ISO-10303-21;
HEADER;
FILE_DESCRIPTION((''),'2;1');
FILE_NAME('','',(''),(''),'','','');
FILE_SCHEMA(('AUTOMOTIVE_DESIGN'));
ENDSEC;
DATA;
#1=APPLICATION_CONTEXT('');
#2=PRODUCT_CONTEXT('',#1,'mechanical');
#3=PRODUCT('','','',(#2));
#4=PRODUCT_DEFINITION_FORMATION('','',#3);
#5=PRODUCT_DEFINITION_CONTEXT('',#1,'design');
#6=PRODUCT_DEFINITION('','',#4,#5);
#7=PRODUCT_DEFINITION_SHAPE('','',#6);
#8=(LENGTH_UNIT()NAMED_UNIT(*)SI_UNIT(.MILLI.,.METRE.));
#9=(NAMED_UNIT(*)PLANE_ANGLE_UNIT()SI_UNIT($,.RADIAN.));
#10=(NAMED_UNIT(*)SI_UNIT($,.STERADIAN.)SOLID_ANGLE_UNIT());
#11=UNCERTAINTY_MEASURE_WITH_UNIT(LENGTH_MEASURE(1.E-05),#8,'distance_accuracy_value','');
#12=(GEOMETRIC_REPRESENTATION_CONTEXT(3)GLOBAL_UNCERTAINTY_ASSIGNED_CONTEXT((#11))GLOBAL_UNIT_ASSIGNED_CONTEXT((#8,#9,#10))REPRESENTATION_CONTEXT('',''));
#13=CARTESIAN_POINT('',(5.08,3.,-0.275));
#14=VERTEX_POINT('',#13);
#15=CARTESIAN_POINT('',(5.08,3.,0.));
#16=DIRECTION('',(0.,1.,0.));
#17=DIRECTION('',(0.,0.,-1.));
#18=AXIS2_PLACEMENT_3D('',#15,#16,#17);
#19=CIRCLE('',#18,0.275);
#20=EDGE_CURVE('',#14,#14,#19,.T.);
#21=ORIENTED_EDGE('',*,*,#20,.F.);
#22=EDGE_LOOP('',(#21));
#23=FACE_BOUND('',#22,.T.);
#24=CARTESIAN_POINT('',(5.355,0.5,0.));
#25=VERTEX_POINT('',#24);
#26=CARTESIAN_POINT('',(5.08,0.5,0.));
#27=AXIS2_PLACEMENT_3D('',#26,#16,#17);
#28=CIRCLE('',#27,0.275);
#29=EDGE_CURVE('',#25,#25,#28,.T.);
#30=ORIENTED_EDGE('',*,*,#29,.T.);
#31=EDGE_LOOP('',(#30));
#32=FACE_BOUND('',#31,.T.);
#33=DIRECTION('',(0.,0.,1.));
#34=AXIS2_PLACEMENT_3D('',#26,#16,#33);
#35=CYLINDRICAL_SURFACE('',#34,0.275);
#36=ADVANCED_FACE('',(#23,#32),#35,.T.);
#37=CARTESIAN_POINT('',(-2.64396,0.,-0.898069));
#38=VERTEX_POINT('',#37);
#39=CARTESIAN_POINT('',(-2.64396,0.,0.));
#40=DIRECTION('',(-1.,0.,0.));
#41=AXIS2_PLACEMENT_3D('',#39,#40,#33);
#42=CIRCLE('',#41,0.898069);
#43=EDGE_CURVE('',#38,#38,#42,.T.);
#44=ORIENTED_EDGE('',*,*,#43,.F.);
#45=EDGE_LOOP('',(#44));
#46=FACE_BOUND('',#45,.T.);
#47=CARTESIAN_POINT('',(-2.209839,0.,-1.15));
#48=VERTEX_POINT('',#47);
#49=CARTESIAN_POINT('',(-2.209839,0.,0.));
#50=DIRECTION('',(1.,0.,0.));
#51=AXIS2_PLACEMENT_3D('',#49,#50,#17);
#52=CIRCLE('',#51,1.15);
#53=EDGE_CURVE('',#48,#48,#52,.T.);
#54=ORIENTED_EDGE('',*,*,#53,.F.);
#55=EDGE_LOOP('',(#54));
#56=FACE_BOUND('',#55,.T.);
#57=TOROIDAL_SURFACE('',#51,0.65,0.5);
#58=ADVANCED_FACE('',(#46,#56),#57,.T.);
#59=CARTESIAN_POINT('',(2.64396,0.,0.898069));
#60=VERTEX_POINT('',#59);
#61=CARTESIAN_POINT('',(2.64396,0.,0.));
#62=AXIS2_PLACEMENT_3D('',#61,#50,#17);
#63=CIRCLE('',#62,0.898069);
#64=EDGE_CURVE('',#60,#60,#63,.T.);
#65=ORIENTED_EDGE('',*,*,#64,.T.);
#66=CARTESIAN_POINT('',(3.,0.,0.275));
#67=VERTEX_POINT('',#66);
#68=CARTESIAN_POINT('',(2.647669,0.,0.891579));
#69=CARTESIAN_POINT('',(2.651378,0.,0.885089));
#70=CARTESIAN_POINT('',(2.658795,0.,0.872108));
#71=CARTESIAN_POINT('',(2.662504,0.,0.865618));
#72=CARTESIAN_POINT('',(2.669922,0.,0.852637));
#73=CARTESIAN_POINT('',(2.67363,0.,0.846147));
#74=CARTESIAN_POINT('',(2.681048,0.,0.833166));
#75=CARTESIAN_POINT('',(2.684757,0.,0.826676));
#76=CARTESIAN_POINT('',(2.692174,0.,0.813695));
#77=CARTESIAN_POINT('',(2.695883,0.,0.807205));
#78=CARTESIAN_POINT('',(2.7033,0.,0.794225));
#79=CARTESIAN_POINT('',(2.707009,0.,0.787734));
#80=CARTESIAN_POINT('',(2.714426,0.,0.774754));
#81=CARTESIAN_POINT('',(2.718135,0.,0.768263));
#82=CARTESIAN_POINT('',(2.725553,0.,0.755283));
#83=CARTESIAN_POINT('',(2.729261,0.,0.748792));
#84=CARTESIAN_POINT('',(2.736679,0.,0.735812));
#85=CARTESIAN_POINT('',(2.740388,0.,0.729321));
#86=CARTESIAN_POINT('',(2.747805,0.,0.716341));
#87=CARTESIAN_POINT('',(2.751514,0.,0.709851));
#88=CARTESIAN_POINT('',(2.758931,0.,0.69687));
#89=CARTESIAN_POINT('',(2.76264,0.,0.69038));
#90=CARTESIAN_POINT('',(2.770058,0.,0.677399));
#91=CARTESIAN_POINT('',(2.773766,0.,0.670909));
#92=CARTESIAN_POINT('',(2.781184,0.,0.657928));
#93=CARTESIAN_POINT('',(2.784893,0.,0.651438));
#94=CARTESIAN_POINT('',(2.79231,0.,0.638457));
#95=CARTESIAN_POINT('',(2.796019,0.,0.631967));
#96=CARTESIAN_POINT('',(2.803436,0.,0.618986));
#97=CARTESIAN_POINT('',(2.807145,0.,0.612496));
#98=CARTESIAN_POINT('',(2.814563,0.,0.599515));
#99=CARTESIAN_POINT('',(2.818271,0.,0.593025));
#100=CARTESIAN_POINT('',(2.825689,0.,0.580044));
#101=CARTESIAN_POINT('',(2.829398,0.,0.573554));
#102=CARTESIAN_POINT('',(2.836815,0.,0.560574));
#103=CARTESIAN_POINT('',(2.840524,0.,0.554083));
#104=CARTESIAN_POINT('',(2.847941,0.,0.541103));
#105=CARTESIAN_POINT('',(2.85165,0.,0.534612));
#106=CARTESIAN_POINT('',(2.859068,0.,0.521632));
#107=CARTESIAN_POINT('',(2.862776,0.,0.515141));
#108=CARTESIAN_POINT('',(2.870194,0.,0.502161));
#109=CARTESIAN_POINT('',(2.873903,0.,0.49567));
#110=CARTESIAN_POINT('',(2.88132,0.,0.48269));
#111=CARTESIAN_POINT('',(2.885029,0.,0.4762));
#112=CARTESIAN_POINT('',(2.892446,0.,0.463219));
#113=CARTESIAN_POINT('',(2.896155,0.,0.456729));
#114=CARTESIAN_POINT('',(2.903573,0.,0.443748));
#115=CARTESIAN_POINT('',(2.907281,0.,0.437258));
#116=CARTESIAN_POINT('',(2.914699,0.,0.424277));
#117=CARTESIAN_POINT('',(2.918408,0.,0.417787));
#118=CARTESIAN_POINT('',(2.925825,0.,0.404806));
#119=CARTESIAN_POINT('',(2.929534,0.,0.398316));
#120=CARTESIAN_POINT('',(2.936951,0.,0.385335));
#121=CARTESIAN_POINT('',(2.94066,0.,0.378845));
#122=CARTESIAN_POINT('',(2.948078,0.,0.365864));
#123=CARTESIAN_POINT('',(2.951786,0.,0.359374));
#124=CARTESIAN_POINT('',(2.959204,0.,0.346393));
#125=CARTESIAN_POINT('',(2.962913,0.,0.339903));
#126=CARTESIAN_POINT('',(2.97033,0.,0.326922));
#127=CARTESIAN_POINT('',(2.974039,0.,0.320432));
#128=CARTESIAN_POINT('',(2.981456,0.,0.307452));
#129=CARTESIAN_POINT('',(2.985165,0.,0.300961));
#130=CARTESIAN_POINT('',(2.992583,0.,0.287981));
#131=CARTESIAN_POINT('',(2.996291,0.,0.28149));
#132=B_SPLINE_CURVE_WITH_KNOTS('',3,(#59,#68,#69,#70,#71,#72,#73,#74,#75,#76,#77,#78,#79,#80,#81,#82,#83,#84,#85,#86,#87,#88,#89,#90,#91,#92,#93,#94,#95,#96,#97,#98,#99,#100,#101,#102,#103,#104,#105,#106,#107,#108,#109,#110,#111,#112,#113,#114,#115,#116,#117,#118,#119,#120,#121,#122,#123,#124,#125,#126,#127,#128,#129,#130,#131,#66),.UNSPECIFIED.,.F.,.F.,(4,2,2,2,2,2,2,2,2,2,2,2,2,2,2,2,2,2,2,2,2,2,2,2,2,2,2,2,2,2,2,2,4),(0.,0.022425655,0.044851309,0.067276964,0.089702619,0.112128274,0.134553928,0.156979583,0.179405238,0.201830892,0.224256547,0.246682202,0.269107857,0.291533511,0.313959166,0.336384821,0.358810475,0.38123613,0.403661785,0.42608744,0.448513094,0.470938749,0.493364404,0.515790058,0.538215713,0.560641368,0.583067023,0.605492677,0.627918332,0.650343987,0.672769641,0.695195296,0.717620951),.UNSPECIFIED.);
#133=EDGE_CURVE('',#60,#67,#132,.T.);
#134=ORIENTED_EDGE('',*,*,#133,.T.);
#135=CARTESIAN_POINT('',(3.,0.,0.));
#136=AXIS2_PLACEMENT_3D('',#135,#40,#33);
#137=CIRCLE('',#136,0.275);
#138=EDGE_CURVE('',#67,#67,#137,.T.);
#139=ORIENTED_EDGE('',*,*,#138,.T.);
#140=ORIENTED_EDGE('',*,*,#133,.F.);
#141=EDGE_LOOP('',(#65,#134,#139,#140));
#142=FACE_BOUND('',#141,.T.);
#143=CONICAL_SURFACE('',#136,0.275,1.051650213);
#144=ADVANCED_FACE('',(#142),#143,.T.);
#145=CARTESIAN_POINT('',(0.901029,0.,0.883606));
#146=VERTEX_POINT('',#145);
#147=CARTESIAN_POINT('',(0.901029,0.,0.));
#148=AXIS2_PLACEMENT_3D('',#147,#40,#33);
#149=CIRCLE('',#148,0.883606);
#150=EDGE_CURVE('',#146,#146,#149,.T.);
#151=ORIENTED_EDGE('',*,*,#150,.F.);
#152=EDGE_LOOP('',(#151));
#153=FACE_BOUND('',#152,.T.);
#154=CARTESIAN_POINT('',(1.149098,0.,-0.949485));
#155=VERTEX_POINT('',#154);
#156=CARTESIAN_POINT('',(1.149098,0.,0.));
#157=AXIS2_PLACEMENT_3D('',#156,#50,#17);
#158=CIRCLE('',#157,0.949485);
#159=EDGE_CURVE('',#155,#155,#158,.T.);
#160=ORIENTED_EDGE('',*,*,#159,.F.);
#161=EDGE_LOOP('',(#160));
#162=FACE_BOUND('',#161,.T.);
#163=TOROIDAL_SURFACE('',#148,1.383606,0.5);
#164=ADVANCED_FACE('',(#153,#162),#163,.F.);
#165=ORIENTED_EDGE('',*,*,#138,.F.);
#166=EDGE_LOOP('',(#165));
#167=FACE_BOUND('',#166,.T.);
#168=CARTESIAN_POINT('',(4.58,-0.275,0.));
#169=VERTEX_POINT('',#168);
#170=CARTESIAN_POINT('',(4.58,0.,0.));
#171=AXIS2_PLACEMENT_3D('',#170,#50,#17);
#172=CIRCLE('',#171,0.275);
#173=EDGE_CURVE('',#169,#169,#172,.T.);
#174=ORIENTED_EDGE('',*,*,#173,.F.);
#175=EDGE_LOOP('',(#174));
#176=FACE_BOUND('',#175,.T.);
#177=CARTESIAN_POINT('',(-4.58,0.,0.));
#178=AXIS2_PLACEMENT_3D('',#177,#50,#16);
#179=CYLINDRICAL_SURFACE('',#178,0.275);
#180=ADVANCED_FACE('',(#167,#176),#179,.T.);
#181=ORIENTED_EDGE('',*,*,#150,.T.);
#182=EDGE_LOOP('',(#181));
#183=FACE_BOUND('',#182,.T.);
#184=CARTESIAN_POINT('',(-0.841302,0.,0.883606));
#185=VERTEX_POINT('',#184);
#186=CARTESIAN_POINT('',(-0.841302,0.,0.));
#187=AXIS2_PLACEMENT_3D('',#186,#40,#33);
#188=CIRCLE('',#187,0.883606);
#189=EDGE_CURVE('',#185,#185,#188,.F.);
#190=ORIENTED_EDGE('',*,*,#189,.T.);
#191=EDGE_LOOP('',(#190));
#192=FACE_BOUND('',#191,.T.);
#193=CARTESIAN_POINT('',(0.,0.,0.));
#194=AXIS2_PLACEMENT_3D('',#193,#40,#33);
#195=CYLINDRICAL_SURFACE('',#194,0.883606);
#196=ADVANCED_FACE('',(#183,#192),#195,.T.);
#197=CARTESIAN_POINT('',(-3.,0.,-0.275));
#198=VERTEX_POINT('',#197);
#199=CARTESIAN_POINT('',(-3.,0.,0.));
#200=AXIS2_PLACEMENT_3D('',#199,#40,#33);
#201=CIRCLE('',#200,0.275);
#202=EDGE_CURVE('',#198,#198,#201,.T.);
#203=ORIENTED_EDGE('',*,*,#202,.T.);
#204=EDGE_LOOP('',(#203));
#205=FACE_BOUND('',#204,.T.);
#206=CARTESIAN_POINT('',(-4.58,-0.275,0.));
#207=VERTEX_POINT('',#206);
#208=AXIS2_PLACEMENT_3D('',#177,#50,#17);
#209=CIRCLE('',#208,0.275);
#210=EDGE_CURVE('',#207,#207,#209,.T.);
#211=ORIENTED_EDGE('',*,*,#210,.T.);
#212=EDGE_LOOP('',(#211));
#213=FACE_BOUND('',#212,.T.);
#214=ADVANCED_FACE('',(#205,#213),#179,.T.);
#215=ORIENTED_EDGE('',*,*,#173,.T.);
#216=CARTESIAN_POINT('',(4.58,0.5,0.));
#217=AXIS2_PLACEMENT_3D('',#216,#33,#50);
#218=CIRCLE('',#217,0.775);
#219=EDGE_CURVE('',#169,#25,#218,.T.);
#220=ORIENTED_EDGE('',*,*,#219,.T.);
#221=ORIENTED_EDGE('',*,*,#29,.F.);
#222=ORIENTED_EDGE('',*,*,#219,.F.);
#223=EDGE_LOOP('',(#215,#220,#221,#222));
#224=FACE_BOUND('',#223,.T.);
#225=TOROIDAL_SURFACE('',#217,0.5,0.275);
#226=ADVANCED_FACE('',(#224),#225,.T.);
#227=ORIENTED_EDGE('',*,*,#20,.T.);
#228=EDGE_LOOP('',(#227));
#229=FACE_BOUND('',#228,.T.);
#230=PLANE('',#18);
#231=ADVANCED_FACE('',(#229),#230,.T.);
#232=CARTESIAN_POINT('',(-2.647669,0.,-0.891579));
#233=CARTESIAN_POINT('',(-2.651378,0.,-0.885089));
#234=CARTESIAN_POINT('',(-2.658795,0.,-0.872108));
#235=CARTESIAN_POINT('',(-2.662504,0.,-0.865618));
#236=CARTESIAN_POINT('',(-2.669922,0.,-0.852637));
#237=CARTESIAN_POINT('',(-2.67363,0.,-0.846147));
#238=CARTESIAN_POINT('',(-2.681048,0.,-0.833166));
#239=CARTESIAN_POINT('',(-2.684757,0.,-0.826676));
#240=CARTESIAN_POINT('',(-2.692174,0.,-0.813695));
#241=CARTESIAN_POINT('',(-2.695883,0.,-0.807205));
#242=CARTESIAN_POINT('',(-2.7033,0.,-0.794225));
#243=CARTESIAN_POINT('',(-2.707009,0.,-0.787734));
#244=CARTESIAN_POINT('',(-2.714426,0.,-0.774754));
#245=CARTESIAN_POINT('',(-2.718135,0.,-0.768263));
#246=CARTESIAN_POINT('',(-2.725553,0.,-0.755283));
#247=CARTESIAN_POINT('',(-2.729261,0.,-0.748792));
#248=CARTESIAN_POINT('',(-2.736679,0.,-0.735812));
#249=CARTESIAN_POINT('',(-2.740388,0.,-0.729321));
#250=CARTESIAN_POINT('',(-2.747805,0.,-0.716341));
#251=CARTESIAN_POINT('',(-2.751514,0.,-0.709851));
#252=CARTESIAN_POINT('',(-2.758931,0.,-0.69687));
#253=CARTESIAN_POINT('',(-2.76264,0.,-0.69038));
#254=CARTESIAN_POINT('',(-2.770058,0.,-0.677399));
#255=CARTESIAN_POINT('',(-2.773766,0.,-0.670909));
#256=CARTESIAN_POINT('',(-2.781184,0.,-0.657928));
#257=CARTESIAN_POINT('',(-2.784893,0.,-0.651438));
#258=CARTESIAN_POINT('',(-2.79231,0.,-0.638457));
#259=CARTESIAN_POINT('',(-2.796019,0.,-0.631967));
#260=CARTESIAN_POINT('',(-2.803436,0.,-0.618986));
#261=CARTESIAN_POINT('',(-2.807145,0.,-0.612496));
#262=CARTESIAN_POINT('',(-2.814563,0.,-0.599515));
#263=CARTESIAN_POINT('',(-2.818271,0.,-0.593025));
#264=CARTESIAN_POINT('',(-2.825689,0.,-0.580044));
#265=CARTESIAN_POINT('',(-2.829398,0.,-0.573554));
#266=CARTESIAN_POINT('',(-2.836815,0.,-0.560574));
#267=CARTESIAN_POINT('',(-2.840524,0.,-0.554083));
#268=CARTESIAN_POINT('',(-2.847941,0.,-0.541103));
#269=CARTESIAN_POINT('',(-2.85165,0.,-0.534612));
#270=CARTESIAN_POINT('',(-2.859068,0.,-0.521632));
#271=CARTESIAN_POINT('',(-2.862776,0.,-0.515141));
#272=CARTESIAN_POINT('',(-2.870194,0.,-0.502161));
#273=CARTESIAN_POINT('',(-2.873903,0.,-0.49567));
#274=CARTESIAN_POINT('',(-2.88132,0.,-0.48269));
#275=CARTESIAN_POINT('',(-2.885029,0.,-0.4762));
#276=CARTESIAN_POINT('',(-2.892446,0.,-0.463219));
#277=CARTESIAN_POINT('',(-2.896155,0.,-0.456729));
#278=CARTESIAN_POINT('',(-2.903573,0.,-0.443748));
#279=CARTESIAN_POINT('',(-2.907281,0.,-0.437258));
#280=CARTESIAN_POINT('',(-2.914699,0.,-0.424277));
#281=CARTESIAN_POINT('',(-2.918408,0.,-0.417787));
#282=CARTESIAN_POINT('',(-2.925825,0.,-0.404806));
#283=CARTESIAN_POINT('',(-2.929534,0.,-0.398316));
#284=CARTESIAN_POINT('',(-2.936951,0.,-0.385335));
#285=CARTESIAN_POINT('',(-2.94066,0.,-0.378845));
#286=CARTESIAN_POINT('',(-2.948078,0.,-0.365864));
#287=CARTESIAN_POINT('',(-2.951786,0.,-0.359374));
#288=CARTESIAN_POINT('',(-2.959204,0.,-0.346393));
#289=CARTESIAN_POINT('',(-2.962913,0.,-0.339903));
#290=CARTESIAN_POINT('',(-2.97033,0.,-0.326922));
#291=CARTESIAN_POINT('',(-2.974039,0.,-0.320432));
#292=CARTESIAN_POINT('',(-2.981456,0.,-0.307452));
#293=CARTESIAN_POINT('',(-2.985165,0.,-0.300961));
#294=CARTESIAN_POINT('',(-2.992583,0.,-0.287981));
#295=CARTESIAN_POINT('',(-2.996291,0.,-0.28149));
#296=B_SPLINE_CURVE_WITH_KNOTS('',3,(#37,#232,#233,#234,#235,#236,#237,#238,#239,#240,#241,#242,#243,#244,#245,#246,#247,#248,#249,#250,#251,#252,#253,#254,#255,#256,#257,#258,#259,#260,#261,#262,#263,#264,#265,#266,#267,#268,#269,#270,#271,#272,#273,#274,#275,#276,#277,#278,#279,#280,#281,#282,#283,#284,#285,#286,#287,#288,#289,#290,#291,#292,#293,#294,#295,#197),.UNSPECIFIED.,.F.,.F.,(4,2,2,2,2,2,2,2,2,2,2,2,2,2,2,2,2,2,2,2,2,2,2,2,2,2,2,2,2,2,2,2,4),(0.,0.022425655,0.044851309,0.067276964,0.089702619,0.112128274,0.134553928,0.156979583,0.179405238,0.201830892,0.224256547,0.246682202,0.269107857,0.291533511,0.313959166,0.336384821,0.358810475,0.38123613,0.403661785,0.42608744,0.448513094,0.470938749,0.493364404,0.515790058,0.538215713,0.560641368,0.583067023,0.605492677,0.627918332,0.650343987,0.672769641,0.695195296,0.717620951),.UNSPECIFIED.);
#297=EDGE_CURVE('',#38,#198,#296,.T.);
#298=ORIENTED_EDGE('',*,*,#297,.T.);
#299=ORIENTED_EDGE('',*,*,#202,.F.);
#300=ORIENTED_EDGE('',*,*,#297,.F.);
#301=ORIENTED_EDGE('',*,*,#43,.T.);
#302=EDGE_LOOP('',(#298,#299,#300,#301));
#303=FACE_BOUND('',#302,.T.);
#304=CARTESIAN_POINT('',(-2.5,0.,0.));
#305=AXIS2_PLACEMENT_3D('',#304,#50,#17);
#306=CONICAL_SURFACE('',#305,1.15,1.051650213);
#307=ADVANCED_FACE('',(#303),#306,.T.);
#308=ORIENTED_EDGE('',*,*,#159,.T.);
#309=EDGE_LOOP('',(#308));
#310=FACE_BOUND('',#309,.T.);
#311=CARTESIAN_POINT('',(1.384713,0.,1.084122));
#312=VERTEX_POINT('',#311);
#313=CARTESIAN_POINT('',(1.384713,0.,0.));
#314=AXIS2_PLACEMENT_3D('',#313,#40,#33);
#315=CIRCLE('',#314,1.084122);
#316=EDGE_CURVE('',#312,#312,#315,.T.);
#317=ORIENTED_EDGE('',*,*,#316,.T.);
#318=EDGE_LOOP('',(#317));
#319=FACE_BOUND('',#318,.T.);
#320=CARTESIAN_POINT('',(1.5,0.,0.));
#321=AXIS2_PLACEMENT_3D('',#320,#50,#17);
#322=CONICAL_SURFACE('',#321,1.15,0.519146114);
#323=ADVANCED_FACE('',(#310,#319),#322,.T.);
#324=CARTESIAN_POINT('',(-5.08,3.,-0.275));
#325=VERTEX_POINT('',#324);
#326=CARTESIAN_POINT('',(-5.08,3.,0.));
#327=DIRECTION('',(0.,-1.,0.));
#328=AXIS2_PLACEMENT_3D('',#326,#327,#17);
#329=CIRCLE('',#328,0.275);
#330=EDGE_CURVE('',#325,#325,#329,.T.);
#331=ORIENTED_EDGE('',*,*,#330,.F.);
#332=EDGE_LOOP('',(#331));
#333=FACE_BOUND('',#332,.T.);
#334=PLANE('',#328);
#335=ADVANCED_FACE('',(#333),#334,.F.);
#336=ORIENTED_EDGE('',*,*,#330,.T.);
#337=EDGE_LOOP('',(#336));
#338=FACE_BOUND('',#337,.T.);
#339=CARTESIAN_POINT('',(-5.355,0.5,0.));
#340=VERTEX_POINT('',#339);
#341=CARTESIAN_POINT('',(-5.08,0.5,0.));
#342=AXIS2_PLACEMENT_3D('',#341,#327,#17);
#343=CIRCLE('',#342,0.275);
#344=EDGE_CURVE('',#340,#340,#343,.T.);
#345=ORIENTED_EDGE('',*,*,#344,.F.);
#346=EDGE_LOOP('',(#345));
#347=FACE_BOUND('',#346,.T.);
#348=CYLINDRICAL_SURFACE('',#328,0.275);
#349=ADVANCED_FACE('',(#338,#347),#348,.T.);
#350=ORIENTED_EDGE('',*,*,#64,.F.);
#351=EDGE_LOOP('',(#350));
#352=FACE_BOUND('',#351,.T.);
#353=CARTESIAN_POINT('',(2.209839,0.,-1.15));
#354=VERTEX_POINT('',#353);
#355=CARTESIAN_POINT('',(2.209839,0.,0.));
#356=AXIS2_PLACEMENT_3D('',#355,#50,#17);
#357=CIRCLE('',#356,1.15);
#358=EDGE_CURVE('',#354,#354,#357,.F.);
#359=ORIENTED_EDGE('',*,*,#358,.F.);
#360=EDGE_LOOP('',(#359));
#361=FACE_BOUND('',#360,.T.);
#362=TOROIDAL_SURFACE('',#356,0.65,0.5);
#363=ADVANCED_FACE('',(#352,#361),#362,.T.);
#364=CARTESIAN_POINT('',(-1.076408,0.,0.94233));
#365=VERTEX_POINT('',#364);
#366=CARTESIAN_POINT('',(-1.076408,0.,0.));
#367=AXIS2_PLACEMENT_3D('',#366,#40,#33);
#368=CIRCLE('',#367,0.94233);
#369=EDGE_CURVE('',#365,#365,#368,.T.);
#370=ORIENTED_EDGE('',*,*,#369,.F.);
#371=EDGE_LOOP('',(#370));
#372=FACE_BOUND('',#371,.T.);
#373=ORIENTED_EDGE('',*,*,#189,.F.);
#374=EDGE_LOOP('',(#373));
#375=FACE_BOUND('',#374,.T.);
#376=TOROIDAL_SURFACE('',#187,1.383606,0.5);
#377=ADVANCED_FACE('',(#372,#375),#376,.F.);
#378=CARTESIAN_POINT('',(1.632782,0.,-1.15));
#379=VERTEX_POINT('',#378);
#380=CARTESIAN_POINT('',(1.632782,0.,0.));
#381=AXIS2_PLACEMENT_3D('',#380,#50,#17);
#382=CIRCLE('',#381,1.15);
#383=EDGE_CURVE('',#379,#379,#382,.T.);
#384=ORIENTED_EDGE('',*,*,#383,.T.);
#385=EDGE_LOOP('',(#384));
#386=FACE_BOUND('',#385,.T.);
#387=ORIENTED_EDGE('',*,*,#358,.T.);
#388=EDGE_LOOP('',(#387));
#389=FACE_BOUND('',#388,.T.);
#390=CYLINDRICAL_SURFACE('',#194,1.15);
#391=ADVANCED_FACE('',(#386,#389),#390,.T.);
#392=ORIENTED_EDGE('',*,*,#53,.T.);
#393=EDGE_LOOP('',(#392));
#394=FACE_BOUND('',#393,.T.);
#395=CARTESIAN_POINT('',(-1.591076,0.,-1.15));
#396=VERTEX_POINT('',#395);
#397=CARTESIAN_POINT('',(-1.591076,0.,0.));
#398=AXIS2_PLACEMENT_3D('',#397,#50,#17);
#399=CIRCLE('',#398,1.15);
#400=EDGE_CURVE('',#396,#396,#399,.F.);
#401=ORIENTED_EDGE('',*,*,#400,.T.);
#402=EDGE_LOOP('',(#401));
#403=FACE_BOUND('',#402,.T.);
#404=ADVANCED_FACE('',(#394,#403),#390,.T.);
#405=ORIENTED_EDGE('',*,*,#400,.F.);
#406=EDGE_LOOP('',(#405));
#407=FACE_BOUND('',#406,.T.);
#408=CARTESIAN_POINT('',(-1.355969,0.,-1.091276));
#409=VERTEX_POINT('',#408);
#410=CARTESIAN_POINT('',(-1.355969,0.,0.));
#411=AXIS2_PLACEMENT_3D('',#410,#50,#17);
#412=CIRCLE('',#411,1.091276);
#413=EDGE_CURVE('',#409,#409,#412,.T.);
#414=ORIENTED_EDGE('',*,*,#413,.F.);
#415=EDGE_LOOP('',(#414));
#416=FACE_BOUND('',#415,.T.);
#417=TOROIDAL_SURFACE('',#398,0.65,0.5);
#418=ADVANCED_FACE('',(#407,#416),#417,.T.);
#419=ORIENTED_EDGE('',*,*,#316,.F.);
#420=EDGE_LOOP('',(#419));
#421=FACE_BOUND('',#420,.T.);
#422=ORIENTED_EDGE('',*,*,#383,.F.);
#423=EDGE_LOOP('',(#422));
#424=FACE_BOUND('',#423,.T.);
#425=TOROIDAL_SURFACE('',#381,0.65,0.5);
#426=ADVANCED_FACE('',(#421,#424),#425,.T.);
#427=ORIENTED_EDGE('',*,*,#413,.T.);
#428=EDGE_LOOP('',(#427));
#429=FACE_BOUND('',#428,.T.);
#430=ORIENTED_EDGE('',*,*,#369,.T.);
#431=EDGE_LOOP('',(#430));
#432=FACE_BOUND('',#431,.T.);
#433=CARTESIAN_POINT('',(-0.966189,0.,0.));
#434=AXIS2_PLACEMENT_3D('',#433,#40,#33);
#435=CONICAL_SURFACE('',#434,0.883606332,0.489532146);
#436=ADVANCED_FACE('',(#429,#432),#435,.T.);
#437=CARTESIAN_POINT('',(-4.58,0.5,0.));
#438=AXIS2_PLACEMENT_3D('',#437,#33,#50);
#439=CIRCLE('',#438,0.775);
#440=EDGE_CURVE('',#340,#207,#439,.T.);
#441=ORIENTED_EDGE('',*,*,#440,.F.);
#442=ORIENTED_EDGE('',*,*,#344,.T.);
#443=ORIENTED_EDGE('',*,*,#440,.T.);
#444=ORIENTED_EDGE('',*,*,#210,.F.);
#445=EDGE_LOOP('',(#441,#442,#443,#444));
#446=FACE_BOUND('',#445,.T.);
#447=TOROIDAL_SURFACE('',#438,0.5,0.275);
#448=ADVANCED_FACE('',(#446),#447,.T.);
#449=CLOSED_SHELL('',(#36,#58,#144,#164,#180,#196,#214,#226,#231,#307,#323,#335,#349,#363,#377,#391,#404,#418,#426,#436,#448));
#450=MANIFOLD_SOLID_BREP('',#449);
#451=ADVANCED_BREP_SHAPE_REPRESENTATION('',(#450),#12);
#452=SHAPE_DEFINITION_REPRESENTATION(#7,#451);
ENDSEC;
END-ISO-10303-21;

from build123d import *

# Parameters (mm, degrees)
FILLET1_R = 0.5
SKETCH4_R = 0.275


with BuildPart() as part:
    # Sketch1 → Revolve1 (revolve)
    with BuildSketch(Plane.XY, mode=Mode.PRIVATE) as revolve1_sk:
        Polygon((0, 0), (3, 0), (3, 0.275), (2.5, 1.15), (1.5, 1.15), (1.03381108, 0.883606332), (-0.96618892, 0.883606332), (-1.46618892, 1.15), (-2.5, 1.15), (-3, 0.275), (-3, 0), align=None)
    revolve(revolve1_sk.sketch.rotate(Axis((0, 0, 0), (1, 0, 0)), 90), axis=Axis((0, 0, 0), (1, 0, 0)))

    # Fillet1
    fillet1_edges = [part.edges().sort_by_distance(p)[0] for p in [
        (1.5, 0, -1.15),
        (2.5, 0, -1.15),
        (-2.5, 0, -1.15),
        (-1.46618892, 0, -1.15),
        (-0.96618892, 0, -0.883606332),
        (1.03381108, 0, -0.883606332),
    ]]
    fillet(fillet1_edges, radius=FILLET1_R)

    # Sweep1: sweep along a path in Sketch6
    with BuildLine(Plane.XY) as sweep1_path:
        Line((5.08, 3), (5.08, 0.5))
        ThreePointArc((5.08, 0.5), (4.933553391, 0.146446609), (4.58, 0))
        Line((4.58, 0), (3, 0))
        Line((3, 0), (-4.58, 0))
        ThreePointArc((-4.58, 0), (-4.933553391, 0.146446609), (-5.08, 0.5))
        Line((-5.08, 0.5), (-5.08, 3))
    # Sketch4 → Sweep1 (sweep)
    with BuildSketch(Plane(origin=(3, 0, 0), x_dir=(0, 0, -1), z_dir=(1, 0, 0))):
        Circle(SKETCH4_R)
    sweep(path=sweep1_path.line)


solid = part.part
